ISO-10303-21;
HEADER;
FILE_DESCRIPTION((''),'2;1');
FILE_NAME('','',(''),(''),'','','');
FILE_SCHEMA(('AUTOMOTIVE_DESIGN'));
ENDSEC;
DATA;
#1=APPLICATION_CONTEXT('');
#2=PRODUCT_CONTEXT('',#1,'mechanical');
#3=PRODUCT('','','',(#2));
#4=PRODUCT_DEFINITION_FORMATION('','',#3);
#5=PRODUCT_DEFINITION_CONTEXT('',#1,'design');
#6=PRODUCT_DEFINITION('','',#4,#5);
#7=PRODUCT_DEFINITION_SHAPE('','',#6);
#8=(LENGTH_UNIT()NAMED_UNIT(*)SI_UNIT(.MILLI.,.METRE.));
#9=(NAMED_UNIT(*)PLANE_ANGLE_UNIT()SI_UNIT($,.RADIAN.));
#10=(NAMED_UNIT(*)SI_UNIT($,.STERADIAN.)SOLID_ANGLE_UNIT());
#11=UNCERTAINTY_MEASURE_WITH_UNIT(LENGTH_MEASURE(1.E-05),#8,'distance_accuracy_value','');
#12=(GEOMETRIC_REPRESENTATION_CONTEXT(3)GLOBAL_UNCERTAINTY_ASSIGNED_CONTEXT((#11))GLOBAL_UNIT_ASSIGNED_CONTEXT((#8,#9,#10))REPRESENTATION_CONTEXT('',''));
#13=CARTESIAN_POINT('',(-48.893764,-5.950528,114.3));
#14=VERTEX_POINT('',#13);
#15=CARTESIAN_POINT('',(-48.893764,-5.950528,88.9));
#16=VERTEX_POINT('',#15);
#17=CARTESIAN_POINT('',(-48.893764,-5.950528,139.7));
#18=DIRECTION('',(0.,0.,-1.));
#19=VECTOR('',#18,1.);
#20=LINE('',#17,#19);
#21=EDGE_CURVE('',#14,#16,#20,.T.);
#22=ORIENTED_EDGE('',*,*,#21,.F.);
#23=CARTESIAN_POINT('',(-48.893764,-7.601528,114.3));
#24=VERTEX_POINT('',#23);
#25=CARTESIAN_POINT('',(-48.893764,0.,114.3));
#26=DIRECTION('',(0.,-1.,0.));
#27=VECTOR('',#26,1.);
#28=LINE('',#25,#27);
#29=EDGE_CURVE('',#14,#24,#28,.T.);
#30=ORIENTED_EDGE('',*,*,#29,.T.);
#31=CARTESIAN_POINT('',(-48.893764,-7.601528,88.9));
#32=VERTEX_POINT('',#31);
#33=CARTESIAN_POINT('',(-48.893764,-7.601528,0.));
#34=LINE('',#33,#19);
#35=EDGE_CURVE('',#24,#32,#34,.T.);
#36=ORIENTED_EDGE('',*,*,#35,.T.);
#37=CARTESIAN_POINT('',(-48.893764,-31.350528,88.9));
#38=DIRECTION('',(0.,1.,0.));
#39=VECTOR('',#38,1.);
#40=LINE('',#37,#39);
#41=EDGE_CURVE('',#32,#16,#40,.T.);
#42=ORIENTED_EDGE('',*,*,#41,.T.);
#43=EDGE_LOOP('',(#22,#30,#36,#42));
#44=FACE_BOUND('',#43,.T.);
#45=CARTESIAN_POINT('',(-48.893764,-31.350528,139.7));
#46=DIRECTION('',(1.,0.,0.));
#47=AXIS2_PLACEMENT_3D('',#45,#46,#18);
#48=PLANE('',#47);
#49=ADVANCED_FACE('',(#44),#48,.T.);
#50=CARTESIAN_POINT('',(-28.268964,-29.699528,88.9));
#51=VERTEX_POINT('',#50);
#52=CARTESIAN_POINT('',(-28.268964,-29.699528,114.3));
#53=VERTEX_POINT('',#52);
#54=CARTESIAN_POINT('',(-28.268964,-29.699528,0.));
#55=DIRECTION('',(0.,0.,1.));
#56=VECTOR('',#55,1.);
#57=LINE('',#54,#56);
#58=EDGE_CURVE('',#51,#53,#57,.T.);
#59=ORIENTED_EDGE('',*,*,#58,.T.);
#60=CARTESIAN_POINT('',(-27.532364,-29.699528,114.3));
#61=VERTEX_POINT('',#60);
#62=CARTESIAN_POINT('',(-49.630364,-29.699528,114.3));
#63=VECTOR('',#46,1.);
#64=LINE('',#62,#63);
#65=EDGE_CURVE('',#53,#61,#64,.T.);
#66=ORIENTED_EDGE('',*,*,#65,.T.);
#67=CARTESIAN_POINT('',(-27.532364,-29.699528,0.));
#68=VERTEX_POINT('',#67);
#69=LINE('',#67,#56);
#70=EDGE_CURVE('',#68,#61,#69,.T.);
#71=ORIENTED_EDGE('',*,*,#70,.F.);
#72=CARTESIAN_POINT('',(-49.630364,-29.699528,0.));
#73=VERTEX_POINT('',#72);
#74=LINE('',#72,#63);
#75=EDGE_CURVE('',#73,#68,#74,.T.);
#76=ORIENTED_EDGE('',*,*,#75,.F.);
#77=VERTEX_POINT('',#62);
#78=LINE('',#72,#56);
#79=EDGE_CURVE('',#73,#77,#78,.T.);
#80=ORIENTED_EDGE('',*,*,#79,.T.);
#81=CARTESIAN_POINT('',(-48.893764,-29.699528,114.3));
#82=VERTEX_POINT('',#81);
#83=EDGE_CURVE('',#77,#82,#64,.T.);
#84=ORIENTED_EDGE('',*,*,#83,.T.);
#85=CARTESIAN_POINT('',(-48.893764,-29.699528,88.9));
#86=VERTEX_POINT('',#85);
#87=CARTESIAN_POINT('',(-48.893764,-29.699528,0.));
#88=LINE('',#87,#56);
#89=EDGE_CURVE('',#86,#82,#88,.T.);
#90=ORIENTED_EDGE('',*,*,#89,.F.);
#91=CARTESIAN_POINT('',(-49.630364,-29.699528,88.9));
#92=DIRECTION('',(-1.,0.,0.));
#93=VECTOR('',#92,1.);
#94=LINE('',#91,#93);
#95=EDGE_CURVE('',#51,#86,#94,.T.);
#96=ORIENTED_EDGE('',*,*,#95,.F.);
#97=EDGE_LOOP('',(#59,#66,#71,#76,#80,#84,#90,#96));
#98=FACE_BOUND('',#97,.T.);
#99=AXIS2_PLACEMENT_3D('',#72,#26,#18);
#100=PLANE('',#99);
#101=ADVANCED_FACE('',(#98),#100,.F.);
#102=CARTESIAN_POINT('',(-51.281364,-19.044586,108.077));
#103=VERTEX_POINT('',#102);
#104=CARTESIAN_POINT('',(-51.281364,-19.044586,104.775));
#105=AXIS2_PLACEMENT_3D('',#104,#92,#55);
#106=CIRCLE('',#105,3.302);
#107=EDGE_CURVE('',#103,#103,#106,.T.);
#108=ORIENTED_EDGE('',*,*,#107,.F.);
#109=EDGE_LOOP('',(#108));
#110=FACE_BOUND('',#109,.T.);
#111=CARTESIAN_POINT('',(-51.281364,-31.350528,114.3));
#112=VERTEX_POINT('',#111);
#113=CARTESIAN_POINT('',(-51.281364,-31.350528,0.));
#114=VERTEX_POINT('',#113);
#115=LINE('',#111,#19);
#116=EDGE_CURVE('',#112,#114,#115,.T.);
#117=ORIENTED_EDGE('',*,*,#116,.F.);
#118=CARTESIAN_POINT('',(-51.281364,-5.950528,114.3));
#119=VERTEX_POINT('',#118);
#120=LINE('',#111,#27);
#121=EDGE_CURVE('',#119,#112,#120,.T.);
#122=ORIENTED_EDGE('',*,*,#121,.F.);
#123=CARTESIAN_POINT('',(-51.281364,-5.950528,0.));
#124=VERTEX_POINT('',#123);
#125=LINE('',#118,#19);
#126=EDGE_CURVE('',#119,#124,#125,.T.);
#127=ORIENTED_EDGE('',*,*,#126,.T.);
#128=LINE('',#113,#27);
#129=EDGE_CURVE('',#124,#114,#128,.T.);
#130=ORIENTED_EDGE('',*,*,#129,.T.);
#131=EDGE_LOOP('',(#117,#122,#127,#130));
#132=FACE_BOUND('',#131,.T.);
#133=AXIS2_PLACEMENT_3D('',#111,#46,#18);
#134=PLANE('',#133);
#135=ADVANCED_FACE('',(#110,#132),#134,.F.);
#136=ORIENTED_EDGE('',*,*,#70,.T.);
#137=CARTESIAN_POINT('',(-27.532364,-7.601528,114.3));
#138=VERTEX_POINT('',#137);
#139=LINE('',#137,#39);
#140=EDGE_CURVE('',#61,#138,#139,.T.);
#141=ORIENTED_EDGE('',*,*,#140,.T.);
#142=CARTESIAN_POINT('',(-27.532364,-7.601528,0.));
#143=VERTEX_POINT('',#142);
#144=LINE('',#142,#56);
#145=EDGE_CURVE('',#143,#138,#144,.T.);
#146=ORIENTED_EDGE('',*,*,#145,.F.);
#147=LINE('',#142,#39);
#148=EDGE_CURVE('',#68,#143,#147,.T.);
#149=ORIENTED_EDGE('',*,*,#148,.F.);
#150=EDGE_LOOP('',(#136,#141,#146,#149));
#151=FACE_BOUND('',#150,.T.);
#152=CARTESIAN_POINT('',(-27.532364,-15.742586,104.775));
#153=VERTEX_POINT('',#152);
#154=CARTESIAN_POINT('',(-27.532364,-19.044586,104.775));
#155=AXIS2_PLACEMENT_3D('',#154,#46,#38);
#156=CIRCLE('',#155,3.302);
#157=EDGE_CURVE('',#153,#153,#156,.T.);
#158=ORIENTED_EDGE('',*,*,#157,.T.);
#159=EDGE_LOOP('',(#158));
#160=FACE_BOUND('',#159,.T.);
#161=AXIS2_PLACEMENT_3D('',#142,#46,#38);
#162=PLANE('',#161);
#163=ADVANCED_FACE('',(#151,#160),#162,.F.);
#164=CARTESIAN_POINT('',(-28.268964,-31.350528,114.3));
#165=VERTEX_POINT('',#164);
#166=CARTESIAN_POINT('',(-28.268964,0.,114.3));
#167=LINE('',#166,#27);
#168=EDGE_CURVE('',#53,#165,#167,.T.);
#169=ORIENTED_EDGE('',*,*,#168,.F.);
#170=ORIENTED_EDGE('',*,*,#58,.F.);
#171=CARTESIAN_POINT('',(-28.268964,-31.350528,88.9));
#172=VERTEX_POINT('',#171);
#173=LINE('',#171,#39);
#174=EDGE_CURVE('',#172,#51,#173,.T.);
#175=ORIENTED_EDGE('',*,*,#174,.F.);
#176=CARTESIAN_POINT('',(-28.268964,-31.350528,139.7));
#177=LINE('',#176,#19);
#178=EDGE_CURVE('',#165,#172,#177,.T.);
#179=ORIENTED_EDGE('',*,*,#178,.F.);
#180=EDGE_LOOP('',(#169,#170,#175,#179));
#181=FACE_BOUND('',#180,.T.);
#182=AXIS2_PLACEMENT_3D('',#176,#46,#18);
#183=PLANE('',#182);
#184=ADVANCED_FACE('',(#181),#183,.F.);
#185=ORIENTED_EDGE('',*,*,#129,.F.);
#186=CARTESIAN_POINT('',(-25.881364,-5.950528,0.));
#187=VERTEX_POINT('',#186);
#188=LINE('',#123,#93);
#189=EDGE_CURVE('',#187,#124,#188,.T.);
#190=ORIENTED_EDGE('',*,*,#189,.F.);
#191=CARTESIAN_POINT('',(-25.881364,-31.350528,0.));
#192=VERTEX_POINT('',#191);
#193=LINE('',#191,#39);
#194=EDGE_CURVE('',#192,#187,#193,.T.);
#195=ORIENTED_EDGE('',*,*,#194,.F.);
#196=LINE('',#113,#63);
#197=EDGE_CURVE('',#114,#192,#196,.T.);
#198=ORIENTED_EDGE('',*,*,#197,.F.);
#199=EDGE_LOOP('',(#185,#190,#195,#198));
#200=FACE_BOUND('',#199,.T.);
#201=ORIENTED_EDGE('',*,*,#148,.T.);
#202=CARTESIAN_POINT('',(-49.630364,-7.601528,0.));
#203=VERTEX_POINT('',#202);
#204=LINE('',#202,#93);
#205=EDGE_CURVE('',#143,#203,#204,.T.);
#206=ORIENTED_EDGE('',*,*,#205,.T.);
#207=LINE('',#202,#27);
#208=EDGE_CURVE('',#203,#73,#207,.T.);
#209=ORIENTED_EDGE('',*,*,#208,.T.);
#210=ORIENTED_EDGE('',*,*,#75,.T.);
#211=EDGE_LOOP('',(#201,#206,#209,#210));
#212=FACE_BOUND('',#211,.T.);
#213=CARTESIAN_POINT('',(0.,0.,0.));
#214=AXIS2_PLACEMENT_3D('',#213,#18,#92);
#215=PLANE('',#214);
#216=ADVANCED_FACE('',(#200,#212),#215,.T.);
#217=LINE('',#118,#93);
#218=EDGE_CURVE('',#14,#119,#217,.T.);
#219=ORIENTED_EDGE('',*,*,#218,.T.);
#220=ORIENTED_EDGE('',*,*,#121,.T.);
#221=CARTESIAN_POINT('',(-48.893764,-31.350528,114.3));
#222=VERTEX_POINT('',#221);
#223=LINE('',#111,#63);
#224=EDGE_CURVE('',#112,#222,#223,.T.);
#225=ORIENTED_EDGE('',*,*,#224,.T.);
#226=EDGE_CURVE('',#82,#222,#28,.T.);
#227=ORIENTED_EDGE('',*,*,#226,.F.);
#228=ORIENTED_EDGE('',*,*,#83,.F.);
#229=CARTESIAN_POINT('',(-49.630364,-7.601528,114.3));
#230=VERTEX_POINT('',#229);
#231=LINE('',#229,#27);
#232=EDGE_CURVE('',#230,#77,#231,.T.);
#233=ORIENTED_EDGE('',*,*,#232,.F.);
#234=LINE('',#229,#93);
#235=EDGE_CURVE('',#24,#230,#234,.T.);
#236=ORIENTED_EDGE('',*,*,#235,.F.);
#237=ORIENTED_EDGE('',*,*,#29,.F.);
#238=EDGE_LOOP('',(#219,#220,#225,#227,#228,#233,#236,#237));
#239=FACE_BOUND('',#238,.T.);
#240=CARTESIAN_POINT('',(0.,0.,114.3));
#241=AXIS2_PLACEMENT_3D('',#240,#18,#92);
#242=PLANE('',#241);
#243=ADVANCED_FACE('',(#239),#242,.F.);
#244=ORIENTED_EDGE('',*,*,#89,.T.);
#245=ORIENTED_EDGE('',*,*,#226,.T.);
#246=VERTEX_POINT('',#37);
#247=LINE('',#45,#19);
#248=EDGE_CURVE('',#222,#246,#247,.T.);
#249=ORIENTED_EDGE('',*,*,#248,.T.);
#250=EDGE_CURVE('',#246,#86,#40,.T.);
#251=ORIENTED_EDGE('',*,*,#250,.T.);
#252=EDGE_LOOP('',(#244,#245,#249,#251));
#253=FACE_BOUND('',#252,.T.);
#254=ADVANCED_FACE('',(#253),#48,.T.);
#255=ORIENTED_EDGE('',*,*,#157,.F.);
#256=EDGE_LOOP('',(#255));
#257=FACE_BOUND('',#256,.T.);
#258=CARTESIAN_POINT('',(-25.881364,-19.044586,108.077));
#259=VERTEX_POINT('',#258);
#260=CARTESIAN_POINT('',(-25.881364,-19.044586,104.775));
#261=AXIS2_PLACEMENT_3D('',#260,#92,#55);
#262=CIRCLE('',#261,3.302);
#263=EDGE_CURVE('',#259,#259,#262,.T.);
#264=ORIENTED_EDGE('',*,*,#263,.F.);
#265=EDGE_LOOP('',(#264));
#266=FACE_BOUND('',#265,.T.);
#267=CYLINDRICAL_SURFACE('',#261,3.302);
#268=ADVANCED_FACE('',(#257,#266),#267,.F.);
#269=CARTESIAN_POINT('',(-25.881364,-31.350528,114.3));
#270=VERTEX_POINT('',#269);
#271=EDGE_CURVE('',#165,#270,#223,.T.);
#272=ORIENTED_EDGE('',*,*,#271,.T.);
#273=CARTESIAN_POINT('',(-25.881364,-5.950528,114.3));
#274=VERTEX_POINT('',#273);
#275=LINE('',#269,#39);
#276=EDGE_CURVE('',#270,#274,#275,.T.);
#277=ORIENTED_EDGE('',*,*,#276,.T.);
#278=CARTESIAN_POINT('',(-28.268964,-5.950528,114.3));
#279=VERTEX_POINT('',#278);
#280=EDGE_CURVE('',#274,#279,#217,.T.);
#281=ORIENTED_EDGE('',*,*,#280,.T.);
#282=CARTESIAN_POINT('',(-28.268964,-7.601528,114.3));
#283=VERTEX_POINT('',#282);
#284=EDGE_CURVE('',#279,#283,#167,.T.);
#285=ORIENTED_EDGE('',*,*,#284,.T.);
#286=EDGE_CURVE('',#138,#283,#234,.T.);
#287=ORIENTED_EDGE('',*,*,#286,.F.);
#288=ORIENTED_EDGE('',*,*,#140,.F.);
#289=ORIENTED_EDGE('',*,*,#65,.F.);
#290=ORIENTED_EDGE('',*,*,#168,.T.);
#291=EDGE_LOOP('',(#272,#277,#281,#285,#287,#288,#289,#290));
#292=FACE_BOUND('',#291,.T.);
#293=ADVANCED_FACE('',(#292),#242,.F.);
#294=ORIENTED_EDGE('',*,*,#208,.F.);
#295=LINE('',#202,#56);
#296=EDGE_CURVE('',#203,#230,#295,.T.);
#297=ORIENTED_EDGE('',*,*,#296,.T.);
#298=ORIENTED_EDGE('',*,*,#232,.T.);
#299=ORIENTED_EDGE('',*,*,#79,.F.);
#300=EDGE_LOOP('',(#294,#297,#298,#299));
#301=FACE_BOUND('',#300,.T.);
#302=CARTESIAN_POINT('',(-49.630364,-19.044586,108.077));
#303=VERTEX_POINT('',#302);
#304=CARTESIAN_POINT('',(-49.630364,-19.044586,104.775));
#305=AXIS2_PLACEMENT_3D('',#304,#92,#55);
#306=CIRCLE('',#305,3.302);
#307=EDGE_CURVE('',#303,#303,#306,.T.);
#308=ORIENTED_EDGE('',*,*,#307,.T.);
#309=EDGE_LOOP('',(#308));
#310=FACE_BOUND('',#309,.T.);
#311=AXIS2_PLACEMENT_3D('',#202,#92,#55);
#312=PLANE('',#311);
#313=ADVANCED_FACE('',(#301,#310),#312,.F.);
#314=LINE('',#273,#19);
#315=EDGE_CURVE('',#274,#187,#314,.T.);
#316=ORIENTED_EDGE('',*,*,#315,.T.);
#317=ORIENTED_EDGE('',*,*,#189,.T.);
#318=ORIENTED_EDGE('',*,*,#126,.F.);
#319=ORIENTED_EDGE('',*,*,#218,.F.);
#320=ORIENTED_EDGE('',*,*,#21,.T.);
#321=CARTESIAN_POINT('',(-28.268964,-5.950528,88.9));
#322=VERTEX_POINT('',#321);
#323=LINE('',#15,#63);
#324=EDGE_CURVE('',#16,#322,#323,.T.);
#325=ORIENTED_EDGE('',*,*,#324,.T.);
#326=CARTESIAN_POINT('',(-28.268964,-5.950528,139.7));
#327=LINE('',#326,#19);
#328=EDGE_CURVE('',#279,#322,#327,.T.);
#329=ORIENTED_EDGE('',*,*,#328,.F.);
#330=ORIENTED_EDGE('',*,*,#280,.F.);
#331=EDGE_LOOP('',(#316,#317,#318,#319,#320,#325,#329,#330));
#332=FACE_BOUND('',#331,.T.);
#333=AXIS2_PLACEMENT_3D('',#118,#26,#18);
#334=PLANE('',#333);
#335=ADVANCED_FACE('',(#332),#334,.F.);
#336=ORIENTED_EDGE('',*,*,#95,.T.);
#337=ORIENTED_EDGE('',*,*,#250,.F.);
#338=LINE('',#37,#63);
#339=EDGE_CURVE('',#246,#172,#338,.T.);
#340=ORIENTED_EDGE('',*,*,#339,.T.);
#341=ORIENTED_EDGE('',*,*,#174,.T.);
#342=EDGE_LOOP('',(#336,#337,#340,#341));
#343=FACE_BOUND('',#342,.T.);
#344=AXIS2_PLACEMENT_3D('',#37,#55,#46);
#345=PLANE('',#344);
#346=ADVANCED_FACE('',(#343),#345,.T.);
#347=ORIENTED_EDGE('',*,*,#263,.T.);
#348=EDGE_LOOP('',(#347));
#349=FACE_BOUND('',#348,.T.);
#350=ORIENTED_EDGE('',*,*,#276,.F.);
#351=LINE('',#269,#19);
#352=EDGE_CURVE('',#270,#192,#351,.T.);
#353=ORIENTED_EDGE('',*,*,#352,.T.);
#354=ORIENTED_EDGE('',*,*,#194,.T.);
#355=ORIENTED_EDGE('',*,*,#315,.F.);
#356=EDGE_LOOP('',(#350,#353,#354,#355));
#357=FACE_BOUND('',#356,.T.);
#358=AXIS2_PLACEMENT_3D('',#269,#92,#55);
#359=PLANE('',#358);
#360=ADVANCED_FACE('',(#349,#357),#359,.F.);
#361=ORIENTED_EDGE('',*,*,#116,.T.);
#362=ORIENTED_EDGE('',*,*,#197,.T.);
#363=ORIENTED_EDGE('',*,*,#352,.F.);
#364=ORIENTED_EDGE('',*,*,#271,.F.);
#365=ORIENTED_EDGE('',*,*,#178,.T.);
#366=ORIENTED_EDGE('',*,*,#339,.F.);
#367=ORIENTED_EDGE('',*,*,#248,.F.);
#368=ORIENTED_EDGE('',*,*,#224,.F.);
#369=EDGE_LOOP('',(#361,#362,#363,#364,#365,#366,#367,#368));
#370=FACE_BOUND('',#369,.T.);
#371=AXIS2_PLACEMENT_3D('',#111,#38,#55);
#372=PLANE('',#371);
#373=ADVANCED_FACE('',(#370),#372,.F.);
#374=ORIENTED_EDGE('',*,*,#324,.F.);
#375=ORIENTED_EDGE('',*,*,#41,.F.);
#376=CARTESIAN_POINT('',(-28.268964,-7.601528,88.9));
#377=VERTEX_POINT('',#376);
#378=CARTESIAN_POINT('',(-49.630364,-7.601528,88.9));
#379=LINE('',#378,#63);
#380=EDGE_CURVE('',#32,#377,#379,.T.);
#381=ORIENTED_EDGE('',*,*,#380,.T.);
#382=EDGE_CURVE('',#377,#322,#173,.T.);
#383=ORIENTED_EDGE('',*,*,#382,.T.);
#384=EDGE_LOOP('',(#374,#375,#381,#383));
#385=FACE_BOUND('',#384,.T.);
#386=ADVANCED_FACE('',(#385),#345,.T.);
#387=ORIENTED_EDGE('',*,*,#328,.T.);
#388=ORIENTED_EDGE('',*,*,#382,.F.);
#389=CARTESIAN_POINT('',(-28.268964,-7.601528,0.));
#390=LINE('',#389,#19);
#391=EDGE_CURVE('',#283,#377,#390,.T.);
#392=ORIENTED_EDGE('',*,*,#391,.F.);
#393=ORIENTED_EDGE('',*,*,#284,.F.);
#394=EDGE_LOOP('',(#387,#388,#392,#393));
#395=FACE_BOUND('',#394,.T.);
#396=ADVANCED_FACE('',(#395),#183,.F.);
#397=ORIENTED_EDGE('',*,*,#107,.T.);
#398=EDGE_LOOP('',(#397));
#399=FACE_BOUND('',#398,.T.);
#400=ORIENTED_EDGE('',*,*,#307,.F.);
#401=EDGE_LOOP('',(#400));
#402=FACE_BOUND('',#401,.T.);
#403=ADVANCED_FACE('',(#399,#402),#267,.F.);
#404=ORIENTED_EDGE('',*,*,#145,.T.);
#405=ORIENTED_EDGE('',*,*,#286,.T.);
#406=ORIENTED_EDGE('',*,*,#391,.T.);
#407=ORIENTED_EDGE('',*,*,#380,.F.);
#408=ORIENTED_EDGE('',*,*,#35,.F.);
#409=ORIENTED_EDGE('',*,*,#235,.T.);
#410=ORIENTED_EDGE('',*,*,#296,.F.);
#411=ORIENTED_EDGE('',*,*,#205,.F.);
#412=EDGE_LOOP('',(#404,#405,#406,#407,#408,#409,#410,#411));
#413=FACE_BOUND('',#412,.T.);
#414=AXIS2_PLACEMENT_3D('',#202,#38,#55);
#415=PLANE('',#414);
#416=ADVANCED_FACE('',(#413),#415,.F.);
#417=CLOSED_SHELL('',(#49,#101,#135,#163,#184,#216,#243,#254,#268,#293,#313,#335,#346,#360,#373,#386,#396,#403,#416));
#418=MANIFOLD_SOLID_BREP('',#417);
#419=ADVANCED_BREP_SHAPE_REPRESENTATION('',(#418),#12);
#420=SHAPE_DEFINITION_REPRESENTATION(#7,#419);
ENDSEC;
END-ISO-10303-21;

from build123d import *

# Parameters (mm, degrees)
SKETCH1_W           = 25.4
SKETCH1_H           = 25.4
BOSS_EXTRUDE1_DEPTH = 114.3
SKETCH3_W           = 22.098
SKETCH3_H           = 22.098
CUT_EXTRUDE1_DEPTH  = 130.139939168
SKETCH4_W           = 20.6248
SKETCH4_H           = 50.8
CUT_EXTRUDE2_DEPTH  = 128.825773065
SKETCH5_R           = 3.302
CUT_EXTRUDE3_DEPTH  = 122.212646323


with BuildPart() as part:
    # Sketch1 → Boss-Extrude1 (new body)
    with BuildSketch(Plane.XY):
        with Locations((-38.581363669, -18.650528362)):
            Rectangle(SKETCH1_W, SKETCH1_H)
    extrude(amount=BOSS_EXTRUDE1_DEPTH)

    # Sketch3 → Cut-Extrude1 (cut, through all)
    with BuildSketch(Plane.XY.offset(114.3)):
        with Locations((-38.581363669, -18.650528362)):
            Rectangle(SKETCH3_W, SKETCH3_H)
    extrude(amount=-CUT_EXTRUDE1_DEPTH, mode=Mode.SUBTRACT)

    # Sketch4 → Cut-Extrude2 (cut, through all)
    with BuildSketch(Plane(origin=(0, -5.950528362, 0), x_dir=(1, 0, 0), z_dir=(0, 1, 0))):
        with Locations((-38.581363669, -114.3)):
            Rectangle(SKETCH4_W, SKETCH4_H)
    extrude(amount=-CUT_EXTRUDE2_DEPTH, mode=Mode.SUBTRACT)

    # Sketch5 → Cut-Extrude3 (cut, through all)
    with BuildSketch(Plane.ZY.offset(51.281363669)):
        with Locations((104.775, -19.04458559)):
            Circle(SKETCH5_R)
    extrude(amount=-CUT_EXTRUDE3_DEPTH, mode=Mode.SUBTRACT)


solid = part.part
